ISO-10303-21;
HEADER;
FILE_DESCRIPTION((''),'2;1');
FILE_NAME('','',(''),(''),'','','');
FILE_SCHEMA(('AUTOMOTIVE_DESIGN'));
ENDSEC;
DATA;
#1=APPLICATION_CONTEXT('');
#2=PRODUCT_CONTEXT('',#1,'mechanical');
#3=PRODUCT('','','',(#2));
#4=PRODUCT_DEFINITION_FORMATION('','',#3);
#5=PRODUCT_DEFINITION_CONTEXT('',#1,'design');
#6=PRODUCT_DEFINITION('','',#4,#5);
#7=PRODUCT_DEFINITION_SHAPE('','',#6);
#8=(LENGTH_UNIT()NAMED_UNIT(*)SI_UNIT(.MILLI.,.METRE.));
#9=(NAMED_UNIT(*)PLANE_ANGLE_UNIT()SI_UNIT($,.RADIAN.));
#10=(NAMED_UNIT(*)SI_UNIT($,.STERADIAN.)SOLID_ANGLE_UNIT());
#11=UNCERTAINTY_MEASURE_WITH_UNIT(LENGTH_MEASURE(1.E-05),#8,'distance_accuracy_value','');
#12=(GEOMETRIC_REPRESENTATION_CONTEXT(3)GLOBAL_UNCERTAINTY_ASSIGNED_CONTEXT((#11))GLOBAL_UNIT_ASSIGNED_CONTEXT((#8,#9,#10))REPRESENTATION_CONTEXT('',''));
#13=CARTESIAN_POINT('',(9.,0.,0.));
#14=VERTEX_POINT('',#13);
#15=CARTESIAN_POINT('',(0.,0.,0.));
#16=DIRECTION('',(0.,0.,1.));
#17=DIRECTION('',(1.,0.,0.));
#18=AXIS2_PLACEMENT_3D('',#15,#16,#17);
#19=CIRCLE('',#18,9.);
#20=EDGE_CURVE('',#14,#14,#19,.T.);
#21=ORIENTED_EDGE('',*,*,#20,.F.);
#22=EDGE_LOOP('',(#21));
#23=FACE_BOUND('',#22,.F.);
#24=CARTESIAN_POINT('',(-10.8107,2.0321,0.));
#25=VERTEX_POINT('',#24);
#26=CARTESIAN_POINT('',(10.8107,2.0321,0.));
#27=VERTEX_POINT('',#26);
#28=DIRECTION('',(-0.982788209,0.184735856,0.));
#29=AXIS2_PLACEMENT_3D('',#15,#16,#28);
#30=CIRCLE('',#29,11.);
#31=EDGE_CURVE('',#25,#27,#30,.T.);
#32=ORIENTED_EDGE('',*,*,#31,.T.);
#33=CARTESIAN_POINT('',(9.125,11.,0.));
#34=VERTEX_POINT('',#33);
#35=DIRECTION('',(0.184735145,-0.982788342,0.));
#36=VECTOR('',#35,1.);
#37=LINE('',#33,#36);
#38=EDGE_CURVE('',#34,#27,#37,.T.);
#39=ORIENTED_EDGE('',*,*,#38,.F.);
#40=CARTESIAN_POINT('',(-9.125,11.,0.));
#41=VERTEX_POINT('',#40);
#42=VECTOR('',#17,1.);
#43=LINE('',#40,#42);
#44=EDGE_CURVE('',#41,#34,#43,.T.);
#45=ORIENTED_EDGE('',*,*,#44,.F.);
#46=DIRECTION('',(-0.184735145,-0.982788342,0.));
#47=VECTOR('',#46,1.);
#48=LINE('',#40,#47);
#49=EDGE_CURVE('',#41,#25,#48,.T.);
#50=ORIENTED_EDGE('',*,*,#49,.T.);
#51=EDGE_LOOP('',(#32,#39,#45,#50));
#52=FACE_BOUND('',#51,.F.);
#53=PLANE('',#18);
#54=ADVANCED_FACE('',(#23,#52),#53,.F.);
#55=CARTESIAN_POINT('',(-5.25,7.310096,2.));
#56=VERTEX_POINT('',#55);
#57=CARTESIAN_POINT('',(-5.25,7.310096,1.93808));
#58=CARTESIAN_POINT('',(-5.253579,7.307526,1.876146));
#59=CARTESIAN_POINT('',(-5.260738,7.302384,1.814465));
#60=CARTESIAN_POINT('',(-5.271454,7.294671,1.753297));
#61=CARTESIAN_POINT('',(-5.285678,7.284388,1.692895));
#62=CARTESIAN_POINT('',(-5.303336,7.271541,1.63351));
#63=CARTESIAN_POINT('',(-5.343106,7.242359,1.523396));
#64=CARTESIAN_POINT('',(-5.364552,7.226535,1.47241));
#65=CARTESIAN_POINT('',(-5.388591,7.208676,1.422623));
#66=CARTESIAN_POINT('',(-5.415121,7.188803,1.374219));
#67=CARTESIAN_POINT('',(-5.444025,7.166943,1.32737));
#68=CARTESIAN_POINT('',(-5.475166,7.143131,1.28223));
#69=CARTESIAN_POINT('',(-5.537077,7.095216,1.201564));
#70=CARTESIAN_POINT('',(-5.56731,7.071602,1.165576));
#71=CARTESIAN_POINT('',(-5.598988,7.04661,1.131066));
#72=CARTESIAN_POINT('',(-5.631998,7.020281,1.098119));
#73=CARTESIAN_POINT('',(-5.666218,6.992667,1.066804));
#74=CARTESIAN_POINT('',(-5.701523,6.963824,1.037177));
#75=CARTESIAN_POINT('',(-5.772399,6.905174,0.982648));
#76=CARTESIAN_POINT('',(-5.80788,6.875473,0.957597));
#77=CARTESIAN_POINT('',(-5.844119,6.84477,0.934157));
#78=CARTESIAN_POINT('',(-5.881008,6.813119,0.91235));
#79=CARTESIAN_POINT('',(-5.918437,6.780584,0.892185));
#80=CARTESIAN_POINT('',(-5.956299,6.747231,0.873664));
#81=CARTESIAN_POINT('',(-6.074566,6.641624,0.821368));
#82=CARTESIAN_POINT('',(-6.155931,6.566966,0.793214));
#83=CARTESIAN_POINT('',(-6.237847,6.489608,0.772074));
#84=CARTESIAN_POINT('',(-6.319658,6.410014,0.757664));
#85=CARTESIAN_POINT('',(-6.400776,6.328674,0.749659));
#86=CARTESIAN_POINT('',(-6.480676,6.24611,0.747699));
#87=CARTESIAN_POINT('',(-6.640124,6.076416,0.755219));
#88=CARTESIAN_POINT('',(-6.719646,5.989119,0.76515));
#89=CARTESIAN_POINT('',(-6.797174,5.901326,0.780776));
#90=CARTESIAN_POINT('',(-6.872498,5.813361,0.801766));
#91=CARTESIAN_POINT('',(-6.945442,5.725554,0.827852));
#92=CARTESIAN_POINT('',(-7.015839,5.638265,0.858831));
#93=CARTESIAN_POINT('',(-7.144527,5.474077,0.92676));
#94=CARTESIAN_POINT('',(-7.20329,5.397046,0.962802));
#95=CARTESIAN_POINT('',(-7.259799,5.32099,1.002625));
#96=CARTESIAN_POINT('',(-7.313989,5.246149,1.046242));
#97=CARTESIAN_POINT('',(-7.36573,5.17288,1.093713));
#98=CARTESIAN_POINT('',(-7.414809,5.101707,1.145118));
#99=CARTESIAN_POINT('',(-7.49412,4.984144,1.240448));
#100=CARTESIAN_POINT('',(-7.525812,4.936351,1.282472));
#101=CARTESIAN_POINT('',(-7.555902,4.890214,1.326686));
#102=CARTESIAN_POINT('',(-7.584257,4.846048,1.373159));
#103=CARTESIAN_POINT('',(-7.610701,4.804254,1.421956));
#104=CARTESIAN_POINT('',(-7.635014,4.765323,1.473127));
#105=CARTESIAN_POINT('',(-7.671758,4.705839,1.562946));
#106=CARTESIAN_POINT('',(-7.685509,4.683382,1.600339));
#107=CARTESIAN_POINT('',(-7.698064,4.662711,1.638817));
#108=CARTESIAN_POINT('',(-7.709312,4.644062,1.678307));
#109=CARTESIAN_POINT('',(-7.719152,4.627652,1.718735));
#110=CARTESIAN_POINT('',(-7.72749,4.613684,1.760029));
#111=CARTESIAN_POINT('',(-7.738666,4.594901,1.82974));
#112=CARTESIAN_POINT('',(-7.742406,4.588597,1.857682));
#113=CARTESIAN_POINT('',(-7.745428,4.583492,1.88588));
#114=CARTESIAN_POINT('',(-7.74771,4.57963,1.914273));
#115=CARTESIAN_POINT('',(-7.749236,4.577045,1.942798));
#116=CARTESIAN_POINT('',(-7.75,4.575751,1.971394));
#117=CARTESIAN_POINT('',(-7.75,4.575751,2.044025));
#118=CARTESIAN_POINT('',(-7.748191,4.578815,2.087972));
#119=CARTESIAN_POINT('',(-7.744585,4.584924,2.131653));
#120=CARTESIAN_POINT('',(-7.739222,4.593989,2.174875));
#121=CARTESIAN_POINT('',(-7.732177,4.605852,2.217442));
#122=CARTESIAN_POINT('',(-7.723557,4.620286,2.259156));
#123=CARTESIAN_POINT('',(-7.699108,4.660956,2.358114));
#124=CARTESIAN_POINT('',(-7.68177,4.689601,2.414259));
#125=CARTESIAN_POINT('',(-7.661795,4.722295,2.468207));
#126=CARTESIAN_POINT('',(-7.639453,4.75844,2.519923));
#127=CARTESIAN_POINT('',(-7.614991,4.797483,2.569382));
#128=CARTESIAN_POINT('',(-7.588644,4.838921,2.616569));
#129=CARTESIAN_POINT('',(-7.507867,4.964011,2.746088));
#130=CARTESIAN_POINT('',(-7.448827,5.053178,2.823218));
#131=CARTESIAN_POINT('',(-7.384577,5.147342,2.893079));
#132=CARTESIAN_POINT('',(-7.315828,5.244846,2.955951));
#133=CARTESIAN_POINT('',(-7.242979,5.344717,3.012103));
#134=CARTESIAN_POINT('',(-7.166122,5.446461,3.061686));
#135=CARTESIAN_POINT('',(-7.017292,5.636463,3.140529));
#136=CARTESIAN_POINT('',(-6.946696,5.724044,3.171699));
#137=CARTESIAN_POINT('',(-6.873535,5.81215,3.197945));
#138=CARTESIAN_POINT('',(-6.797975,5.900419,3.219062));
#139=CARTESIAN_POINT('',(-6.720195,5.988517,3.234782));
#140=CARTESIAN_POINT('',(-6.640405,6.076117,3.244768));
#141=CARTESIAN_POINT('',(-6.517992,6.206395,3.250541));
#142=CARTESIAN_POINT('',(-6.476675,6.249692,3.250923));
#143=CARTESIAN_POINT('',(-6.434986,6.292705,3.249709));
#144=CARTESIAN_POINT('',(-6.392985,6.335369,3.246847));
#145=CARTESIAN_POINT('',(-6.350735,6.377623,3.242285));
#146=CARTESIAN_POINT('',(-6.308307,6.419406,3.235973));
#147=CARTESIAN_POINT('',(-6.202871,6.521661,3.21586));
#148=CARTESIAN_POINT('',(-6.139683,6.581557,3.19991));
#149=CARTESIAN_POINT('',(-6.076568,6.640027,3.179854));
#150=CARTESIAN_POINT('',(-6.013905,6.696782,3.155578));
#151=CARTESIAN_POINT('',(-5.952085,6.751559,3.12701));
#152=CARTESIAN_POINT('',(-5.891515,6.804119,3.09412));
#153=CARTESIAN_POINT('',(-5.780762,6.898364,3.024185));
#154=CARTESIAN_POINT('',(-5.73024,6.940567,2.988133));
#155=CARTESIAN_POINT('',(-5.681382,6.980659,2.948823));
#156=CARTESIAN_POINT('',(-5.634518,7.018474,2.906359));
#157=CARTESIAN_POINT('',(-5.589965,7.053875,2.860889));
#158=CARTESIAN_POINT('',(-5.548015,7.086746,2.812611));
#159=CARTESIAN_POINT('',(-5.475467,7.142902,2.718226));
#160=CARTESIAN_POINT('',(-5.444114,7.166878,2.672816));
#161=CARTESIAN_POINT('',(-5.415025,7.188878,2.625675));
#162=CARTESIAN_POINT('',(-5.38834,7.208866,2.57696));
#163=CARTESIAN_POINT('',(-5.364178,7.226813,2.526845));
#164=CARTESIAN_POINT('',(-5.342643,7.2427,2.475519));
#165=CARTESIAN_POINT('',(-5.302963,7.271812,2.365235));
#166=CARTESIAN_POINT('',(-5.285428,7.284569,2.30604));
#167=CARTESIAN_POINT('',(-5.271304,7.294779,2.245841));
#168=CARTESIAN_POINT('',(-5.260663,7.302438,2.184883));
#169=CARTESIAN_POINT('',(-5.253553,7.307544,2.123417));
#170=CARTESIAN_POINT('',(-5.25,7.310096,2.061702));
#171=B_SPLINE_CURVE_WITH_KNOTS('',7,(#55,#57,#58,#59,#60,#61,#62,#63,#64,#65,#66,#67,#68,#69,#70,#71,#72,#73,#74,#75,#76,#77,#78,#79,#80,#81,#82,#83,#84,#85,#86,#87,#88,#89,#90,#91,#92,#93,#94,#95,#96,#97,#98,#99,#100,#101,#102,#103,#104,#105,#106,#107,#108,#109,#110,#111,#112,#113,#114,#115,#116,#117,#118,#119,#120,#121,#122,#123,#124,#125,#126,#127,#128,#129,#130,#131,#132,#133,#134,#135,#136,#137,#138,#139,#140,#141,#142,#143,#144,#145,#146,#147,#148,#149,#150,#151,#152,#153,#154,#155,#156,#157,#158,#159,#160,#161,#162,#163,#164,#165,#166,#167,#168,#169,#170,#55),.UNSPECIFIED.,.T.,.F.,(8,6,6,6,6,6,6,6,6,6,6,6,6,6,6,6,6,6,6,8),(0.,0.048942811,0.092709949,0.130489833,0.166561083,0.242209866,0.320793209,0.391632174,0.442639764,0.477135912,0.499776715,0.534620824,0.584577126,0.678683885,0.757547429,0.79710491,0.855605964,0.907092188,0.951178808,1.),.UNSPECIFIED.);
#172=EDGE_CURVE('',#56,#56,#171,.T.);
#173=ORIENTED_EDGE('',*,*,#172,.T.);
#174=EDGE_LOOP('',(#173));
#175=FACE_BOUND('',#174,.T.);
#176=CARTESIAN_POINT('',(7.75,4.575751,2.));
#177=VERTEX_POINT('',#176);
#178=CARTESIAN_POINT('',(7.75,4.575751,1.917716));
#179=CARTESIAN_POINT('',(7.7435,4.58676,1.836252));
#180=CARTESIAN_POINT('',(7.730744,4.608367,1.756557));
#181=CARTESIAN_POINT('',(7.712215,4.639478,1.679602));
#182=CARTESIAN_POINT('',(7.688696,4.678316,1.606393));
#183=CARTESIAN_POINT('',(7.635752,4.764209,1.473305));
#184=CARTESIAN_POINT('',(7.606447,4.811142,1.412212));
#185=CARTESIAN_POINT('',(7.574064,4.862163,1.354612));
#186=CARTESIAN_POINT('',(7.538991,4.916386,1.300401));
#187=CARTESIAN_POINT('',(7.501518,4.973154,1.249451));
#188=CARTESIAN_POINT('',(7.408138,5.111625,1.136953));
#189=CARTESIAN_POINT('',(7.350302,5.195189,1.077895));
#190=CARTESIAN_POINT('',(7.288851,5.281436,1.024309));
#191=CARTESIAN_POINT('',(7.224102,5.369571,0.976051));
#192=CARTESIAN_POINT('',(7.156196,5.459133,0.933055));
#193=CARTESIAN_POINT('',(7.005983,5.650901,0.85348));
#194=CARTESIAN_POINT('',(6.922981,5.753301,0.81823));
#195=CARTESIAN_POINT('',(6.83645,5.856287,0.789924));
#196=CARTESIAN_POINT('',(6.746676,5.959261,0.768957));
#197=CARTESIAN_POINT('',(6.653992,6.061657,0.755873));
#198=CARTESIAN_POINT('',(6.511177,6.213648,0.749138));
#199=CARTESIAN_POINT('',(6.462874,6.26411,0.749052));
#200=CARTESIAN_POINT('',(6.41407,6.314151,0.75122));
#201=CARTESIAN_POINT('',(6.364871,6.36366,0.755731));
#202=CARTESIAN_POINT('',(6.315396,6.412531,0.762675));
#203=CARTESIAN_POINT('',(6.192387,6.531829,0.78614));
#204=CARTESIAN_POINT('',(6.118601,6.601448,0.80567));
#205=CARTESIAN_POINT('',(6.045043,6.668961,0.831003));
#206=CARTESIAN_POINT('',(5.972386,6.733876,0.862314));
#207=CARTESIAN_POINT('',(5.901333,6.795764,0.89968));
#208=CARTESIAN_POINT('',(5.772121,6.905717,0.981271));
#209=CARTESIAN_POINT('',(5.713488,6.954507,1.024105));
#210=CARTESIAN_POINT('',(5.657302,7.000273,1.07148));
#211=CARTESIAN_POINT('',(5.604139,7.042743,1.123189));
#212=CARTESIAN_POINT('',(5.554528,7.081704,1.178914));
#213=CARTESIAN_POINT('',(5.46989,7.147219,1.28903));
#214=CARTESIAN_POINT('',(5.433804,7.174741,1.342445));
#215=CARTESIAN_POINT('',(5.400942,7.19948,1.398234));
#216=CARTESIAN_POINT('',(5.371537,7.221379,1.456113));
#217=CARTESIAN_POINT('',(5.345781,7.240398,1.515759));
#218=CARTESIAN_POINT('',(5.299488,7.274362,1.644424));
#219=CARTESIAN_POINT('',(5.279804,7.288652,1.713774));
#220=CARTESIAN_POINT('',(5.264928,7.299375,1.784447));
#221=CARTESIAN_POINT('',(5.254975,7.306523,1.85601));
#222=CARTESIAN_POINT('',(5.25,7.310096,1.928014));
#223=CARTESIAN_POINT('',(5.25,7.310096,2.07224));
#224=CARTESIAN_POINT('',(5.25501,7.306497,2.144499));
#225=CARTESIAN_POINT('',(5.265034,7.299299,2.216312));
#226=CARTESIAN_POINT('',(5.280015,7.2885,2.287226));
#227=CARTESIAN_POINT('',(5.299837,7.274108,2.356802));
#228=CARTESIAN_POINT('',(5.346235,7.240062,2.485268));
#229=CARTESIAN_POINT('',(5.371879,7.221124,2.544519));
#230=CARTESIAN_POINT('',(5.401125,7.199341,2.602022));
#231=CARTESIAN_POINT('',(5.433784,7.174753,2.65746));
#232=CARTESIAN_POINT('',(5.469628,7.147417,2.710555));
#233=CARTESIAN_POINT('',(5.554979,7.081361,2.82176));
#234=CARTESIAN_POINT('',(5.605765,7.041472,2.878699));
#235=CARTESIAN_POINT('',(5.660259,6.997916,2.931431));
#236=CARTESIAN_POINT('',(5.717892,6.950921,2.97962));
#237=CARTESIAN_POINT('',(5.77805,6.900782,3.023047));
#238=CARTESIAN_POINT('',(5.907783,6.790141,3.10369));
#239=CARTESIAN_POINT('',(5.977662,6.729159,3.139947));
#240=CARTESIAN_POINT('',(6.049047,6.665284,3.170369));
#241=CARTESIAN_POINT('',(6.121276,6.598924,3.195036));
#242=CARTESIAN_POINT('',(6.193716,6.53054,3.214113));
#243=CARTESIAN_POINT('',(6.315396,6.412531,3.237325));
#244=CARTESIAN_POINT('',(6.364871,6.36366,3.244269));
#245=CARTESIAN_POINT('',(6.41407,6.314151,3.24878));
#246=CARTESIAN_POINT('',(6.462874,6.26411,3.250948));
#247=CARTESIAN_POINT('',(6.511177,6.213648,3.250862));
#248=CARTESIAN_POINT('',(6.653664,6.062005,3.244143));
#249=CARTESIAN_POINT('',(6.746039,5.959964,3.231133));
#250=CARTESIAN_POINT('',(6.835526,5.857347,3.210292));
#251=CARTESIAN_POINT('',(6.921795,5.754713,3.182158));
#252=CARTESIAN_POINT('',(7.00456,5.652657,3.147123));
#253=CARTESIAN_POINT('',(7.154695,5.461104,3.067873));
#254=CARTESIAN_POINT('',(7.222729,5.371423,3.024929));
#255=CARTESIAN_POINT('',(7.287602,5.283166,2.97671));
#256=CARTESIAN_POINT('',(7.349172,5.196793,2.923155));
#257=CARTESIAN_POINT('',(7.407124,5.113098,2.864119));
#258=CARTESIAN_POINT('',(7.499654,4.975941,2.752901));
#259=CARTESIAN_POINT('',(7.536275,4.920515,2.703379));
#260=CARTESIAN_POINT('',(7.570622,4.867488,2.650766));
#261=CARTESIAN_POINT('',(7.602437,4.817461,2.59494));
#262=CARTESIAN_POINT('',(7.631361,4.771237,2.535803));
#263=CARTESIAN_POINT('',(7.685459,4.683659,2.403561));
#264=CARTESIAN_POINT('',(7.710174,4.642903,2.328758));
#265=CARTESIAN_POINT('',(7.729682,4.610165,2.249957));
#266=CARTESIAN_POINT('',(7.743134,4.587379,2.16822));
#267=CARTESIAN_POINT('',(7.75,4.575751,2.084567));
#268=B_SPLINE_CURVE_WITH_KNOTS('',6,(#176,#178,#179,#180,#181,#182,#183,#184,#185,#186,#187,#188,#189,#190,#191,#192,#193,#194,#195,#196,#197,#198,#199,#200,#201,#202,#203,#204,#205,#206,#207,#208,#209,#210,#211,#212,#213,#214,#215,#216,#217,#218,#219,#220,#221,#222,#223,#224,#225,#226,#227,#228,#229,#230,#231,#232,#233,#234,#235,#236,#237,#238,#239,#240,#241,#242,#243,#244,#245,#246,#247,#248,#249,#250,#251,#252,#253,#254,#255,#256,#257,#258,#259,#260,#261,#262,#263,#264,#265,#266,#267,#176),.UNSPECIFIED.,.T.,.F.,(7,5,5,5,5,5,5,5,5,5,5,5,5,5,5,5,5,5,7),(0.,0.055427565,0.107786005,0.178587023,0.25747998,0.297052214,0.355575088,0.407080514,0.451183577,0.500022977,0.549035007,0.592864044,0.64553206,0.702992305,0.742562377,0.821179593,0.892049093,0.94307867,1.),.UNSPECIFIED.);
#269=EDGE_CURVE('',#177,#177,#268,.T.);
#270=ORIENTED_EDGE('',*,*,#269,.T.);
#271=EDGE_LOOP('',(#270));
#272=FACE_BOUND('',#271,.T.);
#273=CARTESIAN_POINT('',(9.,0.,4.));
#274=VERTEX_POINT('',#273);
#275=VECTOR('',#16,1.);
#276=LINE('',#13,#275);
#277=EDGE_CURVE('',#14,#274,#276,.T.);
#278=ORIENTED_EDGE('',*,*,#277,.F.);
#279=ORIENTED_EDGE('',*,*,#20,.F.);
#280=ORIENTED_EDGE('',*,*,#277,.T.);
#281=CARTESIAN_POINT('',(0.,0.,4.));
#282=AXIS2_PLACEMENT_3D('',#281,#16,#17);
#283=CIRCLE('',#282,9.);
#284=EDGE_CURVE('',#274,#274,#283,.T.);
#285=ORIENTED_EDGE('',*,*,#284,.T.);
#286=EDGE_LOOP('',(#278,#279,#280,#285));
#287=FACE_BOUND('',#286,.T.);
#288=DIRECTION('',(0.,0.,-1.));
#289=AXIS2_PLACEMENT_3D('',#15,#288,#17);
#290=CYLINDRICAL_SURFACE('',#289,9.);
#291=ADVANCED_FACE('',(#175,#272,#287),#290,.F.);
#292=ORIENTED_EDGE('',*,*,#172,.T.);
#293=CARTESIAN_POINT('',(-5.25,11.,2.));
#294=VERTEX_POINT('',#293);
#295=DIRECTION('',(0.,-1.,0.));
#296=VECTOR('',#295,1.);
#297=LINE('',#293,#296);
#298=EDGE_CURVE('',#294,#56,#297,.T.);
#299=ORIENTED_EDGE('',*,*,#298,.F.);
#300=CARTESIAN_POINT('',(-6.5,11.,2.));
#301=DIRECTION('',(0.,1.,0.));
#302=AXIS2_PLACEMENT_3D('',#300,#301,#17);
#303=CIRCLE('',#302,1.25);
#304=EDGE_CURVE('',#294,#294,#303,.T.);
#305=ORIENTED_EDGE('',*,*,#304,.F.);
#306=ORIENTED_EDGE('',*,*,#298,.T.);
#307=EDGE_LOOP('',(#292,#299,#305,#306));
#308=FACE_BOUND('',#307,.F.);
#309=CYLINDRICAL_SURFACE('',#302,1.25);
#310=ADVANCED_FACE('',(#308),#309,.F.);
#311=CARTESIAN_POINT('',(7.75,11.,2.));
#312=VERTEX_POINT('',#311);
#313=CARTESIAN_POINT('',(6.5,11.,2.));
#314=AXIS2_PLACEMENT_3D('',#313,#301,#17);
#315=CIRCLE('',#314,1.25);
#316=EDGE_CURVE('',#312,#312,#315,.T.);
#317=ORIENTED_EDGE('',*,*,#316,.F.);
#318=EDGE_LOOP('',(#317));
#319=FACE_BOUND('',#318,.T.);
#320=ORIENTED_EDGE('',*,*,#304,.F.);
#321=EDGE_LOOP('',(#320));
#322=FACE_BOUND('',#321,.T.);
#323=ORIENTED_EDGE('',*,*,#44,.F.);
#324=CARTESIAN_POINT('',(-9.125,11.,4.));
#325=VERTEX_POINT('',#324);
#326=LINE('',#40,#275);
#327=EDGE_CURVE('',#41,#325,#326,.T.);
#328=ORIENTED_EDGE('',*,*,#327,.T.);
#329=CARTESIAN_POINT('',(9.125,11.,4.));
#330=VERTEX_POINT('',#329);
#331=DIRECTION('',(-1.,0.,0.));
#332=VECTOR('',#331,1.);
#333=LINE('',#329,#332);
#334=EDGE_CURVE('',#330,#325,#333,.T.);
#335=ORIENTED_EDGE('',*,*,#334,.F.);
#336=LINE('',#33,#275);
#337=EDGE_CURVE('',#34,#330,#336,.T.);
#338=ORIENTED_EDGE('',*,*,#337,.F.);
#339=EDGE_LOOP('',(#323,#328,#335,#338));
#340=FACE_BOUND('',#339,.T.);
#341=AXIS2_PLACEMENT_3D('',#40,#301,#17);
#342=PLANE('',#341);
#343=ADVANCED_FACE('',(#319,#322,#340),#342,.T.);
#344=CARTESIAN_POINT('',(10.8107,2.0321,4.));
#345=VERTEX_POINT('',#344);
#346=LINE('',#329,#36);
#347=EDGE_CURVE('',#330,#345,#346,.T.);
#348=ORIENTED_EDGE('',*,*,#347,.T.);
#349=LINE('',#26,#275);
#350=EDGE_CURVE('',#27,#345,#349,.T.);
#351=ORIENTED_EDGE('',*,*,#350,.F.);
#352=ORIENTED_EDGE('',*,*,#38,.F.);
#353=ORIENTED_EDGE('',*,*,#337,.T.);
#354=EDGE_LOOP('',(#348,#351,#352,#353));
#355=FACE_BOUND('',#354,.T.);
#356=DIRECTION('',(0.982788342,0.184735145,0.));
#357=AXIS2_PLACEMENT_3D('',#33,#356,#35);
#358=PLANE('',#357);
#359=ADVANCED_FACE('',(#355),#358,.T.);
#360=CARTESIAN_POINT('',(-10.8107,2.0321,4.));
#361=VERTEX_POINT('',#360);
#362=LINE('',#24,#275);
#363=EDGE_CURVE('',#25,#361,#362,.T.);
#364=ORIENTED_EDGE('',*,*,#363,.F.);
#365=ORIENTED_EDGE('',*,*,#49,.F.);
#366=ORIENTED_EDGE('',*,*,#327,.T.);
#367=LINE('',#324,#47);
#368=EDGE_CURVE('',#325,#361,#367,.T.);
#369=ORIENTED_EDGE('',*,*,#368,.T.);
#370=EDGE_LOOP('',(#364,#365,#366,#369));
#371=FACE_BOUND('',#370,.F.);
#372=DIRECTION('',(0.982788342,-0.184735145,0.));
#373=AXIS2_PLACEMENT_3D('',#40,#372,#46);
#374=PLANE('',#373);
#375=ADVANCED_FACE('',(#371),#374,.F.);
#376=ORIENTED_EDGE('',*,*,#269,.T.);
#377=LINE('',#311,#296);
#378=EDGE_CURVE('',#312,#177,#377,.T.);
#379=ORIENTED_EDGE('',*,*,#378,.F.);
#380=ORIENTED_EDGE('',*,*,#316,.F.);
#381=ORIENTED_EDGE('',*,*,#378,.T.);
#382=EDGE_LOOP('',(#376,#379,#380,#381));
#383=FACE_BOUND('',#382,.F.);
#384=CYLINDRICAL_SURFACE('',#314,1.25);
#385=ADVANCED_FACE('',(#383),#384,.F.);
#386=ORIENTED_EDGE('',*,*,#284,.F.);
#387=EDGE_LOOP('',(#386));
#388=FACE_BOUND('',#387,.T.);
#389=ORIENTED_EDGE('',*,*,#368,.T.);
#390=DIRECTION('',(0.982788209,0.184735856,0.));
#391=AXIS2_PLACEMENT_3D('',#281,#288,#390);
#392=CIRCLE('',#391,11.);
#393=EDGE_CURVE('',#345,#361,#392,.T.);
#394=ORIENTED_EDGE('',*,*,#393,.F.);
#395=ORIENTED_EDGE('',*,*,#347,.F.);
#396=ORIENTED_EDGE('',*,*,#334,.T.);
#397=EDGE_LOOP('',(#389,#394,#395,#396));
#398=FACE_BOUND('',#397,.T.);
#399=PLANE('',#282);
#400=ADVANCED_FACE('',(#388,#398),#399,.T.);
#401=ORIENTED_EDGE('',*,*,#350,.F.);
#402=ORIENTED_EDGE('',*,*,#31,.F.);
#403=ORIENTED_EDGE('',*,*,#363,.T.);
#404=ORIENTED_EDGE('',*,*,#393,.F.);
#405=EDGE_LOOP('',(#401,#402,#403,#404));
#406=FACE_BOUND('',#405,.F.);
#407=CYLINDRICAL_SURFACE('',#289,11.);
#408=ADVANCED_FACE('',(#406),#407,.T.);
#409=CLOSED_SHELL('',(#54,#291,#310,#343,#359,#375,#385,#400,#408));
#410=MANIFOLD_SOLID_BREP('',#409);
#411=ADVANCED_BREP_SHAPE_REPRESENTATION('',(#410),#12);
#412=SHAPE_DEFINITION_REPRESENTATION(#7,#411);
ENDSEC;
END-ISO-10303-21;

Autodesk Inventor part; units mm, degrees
ref_plane "YZ Plane" through (0, 0, 0) normal (1, 0, 0) x (0, 1, 0)
ref_plane "XZ Plane" through (0, 0, 0) normal (0, 1, 0) x (-1, 0, 0)
ref_plane "XY Plane" through (0, 0, 0) normal (0, 0, 1) x (1, 0, 0)
sketch "Sketch1" plane through (0, 0, 0) normal (0, 0, 1) x (1, 0, 0)
  circle A0 centre (0, 0) radius 9
  circle A1 centre (0, 0) radius 11
  line L0 (-9.125, 11) -> (9.125, 11)
  line L1 (0, 0) -> (0, 11) construction
  line L2 (-9.125, 11) -> (-10.8107, 2.0321)
  line L3 (9.125, 11) -> (10.8107, 2.0321)
  dimension "d0" = 18
  dimension "d1" = 22
  dimension "d2" = 18.25
extrude "Extrusion1" add sketch "Sketch1" along normal blind 4
sketch "Sketch2" plane through (-9.125, 11, 0) normal (0, 1, 0) x (1, 0, 0)
  line L0 (18.25, -4) -> (0, -4) construction
  line L1 (9.125, -4) -> (9.125, 0) construction
  line L2 (9.125, -2) -> (2.625, -2) construction
  line L3 (2.625, -2) -> (15.625, -2) construction
  circle A0 centre (2.625, -2) radius 1.25
  circle A1 centre (15.625, -2) radius 1.25
  dimension "d5" = 6.5
  dimension "d6" = 13
  dimension "d7" = 2.5
  dimension "d8" = 2.5
extrude "Extrusion2" cut sketch "Sketch2" against normal blind 11
thread "Thread1" size "M2.5x0.45" class "6H" standard "ANSI Metric M Profile" full length
thread "Thread2" size "M2.5x0.45" class "6H" standard "ANSI Metric M Profile" full length
equation "\"d6\" = 2 * d5"
properties part number "Tarot_12mm_Mount" material "Aluminum 6061"
